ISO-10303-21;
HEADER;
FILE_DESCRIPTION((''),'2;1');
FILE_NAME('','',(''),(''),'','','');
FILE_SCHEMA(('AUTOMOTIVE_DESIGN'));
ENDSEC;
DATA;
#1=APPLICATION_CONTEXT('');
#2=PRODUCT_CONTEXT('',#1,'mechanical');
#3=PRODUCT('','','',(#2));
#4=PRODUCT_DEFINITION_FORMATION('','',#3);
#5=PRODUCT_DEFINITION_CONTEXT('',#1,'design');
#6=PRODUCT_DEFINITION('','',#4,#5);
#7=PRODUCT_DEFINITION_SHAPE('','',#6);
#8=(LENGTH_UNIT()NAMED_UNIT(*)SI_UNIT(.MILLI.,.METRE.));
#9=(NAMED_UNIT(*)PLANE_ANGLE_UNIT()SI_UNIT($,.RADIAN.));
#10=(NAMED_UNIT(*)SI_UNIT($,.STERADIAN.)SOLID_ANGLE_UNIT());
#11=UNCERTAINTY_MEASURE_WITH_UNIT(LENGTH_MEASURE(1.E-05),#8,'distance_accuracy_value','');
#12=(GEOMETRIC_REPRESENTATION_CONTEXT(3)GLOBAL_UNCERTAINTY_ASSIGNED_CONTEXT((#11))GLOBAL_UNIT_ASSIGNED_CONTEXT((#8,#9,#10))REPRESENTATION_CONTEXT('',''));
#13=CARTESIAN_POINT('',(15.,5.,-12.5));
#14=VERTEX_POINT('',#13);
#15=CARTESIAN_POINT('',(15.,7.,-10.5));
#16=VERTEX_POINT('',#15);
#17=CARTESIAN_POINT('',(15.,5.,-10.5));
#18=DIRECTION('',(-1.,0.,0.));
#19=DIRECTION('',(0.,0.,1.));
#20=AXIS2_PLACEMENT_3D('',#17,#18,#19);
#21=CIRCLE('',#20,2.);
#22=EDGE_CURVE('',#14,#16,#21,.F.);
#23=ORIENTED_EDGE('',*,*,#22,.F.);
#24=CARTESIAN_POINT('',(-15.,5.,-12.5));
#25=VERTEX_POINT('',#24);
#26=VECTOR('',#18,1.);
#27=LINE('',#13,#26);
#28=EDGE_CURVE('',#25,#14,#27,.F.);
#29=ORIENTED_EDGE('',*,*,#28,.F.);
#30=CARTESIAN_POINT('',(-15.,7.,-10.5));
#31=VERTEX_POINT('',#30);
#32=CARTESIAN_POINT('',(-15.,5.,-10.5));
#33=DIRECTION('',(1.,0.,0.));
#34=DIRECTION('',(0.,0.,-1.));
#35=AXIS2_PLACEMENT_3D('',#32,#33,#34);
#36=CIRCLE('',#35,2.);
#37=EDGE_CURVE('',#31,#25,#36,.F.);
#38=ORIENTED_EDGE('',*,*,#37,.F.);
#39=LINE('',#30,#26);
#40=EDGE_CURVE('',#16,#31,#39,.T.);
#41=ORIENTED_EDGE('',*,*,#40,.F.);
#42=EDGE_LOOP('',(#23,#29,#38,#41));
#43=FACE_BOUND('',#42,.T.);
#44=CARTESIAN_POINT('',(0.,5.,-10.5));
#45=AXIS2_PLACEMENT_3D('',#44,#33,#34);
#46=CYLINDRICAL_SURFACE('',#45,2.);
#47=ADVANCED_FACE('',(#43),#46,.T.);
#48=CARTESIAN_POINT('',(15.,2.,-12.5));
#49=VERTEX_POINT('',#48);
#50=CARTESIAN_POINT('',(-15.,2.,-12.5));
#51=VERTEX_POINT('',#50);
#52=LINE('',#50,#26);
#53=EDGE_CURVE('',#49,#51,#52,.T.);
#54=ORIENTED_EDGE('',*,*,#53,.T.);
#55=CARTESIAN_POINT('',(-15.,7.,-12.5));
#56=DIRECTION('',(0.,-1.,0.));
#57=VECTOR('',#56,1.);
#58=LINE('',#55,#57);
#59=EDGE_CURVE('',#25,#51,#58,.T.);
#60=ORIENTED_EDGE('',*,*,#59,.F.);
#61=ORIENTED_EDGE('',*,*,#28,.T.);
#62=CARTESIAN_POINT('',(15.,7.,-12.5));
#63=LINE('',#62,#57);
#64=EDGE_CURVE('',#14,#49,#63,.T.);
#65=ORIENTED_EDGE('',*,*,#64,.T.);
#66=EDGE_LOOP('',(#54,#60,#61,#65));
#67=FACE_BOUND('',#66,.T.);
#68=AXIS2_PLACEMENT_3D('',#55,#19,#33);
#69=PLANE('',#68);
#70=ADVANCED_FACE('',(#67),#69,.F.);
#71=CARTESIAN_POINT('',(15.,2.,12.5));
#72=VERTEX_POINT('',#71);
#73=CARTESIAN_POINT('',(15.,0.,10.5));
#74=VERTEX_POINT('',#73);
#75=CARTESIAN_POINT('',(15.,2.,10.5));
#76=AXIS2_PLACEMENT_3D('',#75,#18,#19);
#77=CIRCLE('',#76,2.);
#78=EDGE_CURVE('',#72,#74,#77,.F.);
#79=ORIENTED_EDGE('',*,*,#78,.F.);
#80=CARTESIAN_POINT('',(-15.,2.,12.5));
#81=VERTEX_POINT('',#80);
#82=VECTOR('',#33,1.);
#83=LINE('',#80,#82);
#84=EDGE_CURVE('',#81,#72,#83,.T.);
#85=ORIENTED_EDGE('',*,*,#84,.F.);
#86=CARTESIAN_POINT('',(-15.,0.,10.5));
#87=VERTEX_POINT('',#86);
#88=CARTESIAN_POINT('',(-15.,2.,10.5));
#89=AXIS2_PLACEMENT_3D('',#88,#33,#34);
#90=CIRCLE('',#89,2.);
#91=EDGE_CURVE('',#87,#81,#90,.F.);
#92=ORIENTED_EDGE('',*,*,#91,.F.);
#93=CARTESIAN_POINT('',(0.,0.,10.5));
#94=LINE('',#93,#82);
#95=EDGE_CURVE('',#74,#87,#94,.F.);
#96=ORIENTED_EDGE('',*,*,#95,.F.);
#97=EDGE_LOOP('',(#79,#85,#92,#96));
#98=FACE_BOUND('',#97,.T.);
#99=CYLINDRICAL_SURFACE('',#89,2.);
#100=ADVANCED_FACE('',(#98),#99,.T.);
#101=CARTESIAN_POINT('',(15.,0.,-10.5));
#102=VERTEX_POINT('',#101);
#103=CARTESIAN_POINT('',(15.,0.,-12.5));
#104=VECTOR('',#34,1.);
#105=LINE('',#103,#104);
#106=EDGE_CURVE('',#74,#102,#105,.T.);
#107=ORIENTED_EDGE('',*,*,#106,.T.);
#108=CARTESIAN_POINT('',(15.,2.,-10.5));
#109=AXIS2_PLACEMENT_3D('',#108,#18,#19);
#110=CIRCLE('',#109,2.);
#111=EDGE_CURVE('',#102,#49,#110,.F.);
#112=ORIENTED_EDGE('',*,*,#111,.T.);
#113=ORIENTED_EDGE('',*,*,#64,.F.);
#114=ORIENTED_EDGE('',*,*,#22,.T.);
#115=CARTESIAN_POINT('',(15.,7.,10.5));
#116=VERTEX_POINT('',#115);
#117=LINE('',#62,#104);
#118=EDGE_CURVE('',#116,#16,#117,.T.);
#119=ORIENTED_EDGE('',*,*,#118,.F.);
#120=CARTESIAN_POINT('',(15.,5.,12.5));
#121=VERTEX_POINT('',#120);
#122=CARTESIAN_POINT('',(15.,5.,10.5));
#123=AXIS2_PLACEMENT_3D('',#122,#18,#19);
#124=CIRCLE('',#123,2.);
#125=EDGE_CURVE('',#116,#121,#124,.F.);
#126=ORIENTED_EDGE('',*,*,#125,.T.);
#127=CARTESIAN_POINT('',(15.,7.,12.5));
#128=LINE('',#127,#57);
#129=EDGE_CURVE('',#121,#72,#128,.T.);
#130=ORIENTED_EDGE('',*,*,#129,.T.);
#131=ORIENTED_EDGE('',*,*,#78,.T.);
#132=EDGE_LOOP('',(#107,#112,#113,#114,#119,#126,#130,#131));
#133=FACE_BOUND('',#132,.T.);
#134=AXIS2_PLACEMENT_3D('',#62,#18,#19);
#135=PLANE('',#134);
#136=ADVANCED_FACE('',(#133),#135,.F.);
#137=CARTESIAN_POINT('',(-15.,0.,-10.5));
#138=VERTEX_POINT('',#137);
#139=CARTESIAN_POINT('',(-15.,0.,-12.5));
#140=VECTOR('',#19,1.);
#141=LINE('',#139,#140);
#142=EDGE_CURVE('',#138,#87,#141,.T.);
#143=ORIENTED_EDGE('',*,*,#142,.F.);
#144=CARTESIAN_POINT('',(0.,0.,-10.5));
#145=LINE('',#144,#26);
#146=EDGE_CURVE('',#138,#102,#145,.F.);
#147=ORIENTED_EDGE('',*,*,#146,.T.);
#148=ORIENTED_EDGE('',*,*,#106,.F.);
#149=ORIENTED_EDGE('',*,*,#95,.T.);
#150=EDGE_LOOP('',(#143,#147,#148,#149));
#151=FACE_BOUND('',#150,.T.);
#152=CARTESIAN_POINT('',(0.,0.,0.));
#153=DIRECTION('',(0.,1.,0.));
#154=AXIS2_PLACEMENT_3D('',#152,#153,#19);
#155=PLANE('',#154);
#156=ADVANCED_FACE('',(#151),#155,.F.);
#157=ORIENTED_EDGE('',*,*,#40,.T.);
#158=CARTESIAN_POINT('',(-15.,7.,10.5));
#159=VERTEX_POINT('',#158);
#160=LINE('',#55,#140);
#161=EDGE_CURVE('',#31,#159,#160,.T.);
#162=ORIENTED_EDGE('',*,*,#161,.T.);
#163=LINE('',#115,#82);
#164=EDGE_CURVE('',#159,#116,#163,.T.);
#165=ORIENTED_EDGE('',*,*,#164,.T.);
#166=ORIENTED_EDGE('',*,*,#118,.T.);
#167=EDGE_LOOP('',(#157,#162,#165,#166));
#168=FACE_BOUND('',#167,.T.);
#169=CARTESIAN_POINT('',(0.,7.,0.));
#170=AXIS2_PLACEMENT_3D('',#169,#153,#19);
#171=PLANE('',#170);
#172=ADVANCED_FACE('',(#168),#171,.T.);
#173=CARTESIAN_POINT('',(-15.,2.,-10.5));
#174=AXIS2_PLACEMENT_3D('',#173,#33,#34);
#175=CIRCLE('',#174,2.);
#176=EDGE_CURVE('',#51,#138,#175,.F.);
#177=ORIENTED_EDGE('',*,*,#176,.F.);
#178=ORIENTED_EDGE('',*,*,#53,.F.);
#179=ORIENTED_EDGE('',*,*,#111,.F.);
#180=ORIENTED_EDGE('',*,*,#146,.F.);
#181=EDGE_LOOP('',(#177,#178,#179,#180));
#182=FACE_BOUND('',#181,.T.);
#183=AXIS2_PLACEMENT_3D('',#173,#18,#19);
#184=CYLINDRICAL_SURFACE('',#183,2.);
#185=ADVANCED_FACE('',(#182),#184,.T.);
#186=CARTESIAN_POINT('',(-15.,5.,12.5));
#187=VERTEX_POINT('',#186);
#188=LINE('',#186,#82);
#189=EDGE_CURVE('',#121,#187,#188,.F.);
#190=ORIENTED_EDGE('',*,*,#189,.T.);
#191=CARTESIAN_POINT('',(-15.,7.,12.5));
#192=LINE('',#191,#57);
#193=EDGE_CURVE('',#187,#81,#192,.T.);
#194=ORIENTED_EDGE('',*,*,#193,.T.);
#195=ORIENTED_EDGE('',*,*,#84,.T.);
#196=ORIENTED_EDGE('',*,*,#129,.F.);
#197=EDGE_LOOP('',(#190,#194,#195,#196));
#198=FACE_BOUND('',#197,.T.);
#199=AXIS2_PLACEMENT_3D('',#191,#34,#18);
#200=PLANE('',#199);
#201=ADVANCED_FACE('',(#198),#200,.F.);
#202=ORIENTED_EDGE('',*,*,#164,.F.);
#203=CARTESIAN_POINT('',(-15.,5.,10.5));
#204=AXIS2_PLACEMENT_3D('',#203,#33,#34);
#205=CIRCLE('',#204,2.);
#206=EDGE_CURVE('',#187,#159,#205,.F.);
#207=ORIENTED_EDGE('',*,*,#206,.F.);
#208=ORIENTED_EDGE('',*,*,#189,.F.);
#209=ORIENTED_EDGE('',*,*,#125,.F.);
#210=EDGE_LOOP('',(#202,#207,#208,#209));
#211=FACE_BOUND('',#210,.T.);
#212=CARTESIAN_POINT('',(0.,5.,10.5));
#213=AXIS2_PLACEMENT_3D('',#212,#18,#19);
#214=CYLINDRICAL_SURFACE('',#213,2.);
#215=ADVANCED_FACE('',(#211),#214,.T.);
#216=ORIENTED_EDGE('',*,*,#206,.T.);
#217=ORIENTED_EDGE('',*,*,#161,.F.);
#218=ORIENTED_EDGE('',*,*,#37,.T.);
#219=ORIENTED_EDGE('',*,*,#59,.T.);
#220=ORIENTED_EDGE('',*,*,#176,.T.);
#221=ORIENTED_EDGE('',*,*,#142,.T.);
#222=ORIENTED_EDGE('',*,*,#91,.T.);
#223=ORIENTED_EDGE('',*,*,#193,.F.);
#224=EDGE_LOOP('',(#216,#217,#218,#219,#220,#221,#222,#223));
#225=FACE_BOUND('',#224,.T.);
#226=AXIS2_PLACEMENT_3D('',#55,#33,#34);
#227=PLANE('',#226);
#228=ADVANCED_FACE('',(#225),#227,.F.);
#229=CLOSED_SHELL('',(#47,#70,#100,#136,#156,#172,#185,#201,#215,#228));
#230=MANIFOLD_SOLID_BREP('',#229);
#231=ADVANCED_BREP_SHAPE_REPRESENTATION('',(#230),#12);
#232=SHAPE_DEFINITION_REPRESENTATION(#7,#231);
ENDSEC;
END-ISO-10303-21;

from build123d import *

# Parameters (mm, degrees)
SKETCH_1_W      = 30
SKETCH_1_H      = 25
EXTRUDE_1_DEPTH = 7
FILLET_1_R      = 2


with BuildPart() as part:
    # Эскиз1 → Бобышка-Вытянуть1 (new body)
    with BuildSketch(Plane(origin=(0, 0, 0), x_dir=(1, 0, 0), z_dir=(0, 1, 0))):
        Rectangle(SKETCH_1_W, SKETCH_1_H)
    extrude(amount=EXTRUDE_1_DEPTH)

    # Скругление1
    fillet_1_edges = [part.edges().sort_by_distance(p)[0] for p in [
        (0, 7, 12.5),
        (0, 0, 12.5),
        (0, 0, -12.5),
        (0, 7, -12.5),
    ]]
    fillet(fillet_1_edges, radius=FILLET_1_R)


solid = part.part
